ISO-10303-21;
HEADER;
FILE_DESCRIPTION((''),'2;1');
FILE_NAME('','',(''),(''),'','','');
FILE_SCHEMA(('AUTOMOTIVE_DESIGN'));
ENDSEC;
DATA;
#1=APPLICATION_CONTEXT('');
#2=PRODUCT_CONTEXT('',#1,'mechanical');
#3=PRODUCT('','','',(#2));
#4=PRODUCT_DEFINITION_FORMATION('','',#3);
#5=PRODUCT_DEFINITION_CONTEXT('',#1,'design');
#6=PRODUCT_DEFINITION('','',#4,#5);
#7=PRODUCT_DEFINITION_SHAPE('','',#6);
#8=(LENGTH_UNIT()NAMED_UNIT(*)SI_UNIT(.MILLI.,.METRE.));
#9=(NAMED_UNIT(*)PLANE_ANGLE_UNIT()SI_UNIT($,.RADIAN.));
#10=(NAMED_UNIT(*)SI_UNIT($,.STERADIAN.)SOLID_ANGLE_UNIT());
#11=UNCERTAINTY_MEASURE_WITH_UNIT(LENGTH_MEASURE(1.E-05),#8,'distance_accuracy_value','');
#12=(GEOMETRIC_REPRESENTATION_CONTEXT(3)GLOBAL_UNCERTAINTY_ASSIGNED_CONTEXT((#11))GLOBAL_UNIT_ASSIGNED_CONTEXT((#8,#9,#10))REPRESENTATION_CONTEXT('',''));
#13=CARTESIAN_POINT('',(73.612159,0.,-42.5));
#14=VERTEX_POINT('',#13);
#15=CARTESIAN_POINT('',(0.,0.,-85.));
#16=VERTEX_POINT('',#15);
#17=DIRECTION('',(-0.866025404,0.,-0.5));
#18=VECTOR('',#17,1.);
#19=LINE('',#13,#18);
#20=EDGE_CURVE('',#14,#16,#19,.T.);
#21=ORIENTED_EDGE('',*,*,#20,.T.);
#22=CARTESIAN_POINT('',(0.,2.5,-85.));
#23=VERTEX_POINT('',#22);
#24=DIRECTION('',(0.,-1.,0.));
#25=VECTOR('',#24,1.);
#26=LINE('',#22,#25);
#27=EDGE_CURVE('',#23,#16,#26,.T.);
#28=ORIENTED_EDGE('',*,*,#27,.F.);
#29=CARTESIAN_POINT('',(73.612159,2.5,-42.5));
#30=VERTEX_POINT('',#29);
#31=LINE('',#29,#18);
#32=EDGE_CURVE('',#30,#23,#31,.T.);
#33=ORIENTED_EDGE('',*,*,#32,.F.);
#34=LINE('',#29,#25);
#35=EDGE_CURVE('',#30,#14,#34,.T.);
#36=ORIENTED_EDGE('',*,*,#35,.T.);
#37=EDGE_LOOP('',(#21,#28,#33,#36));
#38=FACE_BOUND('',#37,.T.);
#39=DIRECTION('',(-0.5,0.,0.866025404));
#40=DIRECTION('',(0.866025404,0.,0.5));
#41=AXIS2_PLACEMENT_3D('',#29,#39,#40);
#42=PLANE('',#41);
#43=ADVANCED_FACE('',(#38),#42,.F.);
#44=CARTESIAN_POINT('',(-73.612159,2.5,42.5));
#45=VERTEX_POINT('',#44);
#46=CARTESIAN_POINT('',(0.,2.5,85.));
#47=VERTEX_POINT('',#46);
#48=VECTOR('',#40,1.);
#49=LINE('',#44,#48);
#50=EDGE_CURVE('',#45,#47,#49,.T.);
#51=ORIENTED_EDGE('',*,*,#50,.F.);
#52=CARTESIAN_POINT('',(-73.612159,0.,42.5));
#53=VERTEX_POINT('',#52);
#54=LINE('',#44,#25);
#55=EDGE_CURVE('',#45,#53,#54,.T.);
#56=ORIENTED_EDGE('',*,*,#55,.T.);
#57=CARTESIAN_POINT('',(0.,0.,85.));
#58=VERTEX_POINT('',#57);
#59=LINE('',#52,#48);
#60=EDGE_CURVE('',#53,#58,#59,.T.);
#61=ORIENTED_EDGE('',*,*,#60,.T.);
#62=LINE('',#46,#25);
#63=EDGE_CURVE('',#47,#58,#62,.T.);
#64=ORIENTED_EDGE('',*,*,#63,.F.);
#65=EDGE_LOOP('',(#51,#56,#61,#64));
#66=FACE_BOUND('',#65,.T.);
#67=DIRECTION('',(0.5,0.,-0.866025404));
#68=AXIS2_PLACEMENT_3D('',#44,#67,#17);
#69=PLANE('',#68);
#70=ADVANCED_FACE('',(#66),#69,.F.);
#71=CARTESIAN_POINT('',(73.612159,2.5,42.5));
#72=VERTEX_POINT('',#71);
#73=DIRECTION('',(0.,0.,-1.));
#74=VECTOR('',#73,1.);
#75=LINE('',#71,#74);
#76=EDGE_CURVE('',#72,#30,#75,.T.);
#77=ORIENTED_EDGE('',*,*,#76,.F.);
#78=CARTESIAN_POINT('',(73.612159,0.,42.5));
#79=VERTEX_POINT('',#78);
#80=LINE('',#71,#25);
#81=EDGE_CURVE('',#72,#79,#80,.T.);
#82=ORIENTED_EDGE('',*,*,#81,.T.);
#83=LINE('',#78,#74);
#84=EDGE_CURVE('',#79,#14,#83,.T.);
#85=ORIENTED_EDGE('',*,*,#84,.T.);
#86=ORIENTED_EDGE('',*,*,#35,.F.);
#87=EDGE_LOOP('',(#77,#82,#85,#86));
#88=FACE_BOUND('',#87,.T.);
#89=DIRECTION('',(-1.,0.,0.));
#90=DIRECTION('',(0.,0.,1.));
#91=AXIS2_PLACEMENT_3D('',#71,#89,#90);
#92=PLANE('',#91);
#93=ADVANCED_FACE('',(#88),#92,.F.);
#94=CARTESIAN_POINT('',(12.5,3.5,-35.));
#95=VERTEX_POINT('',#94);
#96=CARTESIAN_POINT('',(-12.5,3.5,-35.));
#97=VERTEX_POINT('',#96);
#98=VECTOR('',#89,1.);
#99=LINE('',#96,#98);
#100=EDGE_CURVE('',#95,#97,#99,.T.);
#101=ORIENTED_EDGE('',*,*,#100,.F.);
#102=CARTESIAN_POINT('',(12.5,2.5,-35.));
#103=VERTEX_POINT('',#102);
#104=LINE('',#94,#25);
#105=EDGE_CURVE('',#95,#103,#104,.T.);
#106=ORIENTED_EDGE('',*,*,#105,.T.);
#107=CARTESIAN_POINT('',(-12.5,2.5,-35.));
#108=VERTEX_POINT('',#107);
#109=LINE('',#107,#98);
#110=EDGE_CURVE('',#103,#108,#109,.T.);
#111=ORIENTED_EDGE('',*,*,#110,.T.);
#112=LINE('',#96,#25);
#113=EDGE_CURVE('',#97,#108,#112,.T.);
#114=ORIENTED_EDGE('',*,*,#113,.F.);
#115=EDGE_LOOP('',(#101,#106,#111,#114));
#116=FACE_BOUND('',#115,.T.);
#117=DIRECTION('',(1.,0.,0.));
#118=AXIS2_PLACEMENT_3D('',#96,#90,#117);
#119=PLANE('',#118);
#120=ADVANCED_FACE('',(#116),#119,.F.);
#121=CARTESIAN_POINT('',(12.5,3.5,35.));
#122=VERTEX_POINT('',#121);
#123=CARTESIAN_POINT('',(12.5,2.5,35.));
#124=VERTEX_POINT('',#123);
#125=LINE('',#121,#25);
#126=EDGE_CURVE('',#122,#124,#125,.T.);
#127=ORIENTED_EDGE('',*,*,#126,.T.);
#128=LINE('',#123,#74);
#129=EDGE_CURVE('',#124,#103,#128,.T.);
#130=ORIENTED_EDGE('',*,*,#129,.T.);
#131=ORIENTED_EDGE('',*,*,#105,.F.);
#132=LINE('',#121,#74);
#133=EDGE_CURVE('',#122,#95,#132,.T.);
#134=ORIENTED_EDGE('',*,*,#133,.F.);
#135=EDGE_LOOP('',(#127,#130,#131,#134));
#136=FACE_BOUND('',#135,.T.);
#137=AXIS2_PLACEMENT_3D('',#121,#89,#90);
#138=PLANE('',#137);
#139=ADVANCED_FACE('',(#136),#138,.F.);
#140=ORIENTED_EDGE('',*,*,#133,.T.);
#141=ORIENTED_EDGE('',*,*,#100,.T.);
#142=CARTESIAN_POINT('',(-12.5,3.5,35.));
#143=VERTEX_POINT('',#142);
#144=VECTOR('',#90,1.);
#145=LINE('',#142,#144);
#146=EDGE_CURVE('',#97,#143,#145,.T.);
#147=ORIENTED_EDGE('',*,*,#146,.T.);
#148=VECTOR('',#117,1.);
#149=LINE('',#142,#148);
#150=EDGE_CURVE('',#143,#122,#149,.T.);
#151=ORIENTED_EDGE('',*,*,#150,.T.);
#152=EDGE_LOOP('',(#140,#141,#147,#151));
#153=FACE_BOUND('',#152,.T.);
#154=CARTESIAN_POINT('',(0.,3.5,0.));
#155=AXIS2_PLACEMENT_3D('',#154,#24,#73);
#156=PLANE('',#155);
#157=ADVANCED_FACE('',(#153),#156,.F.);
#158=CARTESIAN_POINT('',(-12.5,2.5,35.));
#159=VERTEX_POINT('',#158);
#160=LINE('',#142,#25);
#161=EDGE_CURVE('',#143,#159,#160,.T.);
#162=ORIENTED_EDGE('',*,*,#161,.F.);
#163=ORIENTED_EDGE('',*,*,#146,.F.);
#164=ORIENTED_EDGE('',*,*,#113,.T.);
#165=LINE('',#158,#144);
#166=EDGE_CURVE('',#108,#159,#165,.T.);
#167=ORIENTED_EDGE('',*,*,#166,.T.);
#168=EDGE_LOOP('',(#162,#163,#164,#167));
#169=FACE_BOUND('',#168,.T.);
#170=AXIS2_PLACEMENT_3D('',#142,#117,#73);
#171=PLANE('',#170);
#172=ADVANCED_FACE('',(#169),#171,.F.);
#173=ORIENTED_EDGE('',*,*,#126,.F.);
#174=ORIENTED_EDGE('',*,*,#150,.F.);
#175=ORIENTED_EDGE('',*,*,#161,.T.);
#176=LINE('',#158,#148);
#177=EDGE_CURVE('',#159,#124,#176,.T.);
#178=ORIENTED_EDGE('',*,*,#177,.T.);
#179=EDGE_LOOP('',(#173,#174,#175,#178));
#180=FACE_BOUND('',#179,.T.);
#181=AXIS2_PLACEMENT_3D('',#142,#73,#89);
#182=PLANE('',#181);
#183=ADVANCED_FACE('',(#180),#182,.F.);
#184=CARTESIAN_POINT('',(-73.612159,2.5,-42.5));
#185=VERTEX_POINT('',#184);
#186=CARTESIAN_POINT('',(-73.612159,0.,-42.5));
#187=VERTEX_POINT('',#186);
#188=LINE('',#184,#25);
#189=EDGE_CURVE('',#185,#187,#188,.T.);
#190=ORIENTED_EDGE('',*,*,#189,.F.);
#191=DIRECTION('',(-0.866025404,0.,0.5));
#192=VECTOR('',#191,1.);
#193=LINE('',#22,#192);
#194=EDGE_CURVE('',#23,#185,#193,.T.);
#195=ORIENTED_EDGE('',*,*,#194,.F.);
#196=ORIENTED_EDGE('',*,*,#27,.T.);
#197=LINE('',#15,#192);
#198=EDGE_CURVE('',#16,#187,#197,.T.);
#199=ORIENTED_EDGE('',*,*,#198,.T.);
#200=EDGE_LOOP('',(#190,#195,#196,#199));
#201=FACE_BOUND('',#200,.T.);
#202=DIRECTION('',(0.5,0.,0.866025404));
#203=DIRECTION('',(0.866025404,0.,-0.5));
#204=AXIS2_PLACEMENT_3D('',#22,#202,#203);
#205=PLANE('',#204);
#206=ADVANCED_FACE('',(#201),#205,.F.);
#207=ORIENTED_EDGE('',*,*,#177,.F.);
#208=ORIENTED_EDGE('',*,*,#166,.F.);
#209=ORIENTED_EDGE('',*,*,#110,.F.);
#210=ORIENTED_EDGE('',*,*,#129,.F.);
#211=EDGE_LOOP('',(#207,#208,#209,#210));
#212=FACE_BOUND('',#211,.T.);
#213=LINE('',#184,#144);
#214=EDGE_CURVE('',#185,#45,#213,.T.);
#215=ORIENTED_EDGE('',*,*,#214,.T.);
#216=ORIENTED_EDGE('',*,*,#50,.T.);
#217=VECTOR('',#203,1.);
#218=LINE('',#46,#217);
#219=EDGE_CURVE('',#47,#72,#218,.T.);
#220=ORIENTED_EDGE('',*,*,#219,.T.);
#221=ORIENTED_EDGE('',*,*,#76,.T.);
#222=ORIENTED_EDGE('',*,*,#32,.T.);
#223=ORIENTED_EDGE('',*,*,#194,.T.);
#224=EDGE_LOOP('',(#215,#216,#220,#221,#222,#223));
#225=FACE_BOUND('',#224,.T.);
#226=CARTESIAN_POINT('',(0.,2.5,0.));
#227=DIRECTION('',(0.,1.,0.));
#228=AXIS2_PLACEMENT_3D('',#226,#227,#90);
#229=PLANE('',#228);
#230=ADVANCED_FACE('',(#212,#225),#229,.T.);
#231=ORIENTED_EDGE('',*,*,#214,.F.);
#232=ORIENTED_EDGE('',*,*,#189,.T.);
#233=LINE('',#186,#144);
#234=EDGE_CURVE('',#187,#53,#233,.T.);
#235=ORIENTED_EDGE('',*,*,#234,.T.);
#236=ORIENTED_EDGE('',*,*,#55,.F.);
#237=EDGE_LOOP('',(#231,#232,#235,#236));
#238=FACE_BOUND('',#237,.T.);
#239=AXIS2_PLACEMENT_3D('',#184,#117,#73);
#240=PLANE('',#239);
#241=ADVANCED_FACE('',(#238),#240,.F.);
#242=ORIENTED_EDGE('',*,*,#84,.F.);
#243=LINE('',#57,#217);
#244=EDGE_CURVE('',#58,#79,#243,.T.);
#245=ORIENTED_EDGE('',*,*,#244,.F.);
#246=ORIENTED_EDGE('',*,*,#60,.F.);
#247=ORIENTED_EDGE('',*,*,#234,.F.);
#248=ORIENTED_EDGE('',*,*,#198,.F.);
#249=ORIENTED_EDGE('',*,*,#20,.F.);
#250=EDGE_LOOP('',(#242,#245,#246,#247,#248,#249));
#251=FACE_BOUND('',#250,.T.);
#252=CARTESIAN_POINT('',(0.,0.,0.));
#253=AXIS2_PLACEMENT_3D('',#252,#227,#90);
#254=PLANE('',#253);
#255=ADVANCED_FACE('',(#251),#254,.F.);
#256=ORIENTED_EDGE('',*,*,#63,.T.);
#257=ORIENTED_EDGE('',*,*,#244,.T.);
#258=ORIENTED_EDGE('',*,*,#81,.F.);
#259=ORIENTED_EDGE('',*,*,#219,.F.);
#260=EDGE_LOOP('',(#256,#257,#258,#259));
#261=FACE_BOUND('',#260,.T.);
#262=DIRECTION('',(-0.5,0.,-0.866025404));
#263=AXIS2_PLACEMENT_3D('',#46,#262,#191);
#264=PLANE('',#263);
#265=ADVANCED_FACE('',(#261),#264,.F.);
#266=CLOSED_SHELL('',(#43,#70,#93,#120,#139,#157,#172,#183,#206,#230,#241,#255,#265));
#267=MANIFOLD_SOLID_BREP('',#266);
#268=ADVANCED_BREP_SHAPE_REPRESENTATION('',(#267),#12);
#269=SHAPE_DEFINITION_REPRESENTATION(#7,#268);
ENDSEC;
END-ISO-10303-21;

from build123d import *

# Parameters (mm, degrees)
BOSS_EXTRUDE1_DEPTH = 2.5
SKETCH2_W           = 25
SKETCH2_H           = 70
BOSS_EXTRUDE2_DEPTH = 1


with BuildPart() as part:
    # Sketch1 → Boss-Extrude1 (new body)
    with BuildSketch(Plane(origin=(0, 0, 0), x_dir=(1, 0, 0), z_dir=(0, 1, 0))):
        Polygon((73.612159322, 42.5), (0, 85), (-73.612159322, 42.5), (-73.612159322, -42.5), (0, -85), (73.612159322, -42.5), align=None)
    extrude(amount=BOSS_EXTRUDE1_DEPTH)

    # Sketch2 → Boss-Extrude2 (add)
    with BuildSketch(Plane(origin=(0, 2.5, 0), x_dir=(1, 0, 0), z_dir=(0, 1, 0))):
        Rectangle(SKETCH2_W, SKETCH2_H)
    extrude(amount=BOSS_EXTRUDE2_DEPTH)


solid = part.part
